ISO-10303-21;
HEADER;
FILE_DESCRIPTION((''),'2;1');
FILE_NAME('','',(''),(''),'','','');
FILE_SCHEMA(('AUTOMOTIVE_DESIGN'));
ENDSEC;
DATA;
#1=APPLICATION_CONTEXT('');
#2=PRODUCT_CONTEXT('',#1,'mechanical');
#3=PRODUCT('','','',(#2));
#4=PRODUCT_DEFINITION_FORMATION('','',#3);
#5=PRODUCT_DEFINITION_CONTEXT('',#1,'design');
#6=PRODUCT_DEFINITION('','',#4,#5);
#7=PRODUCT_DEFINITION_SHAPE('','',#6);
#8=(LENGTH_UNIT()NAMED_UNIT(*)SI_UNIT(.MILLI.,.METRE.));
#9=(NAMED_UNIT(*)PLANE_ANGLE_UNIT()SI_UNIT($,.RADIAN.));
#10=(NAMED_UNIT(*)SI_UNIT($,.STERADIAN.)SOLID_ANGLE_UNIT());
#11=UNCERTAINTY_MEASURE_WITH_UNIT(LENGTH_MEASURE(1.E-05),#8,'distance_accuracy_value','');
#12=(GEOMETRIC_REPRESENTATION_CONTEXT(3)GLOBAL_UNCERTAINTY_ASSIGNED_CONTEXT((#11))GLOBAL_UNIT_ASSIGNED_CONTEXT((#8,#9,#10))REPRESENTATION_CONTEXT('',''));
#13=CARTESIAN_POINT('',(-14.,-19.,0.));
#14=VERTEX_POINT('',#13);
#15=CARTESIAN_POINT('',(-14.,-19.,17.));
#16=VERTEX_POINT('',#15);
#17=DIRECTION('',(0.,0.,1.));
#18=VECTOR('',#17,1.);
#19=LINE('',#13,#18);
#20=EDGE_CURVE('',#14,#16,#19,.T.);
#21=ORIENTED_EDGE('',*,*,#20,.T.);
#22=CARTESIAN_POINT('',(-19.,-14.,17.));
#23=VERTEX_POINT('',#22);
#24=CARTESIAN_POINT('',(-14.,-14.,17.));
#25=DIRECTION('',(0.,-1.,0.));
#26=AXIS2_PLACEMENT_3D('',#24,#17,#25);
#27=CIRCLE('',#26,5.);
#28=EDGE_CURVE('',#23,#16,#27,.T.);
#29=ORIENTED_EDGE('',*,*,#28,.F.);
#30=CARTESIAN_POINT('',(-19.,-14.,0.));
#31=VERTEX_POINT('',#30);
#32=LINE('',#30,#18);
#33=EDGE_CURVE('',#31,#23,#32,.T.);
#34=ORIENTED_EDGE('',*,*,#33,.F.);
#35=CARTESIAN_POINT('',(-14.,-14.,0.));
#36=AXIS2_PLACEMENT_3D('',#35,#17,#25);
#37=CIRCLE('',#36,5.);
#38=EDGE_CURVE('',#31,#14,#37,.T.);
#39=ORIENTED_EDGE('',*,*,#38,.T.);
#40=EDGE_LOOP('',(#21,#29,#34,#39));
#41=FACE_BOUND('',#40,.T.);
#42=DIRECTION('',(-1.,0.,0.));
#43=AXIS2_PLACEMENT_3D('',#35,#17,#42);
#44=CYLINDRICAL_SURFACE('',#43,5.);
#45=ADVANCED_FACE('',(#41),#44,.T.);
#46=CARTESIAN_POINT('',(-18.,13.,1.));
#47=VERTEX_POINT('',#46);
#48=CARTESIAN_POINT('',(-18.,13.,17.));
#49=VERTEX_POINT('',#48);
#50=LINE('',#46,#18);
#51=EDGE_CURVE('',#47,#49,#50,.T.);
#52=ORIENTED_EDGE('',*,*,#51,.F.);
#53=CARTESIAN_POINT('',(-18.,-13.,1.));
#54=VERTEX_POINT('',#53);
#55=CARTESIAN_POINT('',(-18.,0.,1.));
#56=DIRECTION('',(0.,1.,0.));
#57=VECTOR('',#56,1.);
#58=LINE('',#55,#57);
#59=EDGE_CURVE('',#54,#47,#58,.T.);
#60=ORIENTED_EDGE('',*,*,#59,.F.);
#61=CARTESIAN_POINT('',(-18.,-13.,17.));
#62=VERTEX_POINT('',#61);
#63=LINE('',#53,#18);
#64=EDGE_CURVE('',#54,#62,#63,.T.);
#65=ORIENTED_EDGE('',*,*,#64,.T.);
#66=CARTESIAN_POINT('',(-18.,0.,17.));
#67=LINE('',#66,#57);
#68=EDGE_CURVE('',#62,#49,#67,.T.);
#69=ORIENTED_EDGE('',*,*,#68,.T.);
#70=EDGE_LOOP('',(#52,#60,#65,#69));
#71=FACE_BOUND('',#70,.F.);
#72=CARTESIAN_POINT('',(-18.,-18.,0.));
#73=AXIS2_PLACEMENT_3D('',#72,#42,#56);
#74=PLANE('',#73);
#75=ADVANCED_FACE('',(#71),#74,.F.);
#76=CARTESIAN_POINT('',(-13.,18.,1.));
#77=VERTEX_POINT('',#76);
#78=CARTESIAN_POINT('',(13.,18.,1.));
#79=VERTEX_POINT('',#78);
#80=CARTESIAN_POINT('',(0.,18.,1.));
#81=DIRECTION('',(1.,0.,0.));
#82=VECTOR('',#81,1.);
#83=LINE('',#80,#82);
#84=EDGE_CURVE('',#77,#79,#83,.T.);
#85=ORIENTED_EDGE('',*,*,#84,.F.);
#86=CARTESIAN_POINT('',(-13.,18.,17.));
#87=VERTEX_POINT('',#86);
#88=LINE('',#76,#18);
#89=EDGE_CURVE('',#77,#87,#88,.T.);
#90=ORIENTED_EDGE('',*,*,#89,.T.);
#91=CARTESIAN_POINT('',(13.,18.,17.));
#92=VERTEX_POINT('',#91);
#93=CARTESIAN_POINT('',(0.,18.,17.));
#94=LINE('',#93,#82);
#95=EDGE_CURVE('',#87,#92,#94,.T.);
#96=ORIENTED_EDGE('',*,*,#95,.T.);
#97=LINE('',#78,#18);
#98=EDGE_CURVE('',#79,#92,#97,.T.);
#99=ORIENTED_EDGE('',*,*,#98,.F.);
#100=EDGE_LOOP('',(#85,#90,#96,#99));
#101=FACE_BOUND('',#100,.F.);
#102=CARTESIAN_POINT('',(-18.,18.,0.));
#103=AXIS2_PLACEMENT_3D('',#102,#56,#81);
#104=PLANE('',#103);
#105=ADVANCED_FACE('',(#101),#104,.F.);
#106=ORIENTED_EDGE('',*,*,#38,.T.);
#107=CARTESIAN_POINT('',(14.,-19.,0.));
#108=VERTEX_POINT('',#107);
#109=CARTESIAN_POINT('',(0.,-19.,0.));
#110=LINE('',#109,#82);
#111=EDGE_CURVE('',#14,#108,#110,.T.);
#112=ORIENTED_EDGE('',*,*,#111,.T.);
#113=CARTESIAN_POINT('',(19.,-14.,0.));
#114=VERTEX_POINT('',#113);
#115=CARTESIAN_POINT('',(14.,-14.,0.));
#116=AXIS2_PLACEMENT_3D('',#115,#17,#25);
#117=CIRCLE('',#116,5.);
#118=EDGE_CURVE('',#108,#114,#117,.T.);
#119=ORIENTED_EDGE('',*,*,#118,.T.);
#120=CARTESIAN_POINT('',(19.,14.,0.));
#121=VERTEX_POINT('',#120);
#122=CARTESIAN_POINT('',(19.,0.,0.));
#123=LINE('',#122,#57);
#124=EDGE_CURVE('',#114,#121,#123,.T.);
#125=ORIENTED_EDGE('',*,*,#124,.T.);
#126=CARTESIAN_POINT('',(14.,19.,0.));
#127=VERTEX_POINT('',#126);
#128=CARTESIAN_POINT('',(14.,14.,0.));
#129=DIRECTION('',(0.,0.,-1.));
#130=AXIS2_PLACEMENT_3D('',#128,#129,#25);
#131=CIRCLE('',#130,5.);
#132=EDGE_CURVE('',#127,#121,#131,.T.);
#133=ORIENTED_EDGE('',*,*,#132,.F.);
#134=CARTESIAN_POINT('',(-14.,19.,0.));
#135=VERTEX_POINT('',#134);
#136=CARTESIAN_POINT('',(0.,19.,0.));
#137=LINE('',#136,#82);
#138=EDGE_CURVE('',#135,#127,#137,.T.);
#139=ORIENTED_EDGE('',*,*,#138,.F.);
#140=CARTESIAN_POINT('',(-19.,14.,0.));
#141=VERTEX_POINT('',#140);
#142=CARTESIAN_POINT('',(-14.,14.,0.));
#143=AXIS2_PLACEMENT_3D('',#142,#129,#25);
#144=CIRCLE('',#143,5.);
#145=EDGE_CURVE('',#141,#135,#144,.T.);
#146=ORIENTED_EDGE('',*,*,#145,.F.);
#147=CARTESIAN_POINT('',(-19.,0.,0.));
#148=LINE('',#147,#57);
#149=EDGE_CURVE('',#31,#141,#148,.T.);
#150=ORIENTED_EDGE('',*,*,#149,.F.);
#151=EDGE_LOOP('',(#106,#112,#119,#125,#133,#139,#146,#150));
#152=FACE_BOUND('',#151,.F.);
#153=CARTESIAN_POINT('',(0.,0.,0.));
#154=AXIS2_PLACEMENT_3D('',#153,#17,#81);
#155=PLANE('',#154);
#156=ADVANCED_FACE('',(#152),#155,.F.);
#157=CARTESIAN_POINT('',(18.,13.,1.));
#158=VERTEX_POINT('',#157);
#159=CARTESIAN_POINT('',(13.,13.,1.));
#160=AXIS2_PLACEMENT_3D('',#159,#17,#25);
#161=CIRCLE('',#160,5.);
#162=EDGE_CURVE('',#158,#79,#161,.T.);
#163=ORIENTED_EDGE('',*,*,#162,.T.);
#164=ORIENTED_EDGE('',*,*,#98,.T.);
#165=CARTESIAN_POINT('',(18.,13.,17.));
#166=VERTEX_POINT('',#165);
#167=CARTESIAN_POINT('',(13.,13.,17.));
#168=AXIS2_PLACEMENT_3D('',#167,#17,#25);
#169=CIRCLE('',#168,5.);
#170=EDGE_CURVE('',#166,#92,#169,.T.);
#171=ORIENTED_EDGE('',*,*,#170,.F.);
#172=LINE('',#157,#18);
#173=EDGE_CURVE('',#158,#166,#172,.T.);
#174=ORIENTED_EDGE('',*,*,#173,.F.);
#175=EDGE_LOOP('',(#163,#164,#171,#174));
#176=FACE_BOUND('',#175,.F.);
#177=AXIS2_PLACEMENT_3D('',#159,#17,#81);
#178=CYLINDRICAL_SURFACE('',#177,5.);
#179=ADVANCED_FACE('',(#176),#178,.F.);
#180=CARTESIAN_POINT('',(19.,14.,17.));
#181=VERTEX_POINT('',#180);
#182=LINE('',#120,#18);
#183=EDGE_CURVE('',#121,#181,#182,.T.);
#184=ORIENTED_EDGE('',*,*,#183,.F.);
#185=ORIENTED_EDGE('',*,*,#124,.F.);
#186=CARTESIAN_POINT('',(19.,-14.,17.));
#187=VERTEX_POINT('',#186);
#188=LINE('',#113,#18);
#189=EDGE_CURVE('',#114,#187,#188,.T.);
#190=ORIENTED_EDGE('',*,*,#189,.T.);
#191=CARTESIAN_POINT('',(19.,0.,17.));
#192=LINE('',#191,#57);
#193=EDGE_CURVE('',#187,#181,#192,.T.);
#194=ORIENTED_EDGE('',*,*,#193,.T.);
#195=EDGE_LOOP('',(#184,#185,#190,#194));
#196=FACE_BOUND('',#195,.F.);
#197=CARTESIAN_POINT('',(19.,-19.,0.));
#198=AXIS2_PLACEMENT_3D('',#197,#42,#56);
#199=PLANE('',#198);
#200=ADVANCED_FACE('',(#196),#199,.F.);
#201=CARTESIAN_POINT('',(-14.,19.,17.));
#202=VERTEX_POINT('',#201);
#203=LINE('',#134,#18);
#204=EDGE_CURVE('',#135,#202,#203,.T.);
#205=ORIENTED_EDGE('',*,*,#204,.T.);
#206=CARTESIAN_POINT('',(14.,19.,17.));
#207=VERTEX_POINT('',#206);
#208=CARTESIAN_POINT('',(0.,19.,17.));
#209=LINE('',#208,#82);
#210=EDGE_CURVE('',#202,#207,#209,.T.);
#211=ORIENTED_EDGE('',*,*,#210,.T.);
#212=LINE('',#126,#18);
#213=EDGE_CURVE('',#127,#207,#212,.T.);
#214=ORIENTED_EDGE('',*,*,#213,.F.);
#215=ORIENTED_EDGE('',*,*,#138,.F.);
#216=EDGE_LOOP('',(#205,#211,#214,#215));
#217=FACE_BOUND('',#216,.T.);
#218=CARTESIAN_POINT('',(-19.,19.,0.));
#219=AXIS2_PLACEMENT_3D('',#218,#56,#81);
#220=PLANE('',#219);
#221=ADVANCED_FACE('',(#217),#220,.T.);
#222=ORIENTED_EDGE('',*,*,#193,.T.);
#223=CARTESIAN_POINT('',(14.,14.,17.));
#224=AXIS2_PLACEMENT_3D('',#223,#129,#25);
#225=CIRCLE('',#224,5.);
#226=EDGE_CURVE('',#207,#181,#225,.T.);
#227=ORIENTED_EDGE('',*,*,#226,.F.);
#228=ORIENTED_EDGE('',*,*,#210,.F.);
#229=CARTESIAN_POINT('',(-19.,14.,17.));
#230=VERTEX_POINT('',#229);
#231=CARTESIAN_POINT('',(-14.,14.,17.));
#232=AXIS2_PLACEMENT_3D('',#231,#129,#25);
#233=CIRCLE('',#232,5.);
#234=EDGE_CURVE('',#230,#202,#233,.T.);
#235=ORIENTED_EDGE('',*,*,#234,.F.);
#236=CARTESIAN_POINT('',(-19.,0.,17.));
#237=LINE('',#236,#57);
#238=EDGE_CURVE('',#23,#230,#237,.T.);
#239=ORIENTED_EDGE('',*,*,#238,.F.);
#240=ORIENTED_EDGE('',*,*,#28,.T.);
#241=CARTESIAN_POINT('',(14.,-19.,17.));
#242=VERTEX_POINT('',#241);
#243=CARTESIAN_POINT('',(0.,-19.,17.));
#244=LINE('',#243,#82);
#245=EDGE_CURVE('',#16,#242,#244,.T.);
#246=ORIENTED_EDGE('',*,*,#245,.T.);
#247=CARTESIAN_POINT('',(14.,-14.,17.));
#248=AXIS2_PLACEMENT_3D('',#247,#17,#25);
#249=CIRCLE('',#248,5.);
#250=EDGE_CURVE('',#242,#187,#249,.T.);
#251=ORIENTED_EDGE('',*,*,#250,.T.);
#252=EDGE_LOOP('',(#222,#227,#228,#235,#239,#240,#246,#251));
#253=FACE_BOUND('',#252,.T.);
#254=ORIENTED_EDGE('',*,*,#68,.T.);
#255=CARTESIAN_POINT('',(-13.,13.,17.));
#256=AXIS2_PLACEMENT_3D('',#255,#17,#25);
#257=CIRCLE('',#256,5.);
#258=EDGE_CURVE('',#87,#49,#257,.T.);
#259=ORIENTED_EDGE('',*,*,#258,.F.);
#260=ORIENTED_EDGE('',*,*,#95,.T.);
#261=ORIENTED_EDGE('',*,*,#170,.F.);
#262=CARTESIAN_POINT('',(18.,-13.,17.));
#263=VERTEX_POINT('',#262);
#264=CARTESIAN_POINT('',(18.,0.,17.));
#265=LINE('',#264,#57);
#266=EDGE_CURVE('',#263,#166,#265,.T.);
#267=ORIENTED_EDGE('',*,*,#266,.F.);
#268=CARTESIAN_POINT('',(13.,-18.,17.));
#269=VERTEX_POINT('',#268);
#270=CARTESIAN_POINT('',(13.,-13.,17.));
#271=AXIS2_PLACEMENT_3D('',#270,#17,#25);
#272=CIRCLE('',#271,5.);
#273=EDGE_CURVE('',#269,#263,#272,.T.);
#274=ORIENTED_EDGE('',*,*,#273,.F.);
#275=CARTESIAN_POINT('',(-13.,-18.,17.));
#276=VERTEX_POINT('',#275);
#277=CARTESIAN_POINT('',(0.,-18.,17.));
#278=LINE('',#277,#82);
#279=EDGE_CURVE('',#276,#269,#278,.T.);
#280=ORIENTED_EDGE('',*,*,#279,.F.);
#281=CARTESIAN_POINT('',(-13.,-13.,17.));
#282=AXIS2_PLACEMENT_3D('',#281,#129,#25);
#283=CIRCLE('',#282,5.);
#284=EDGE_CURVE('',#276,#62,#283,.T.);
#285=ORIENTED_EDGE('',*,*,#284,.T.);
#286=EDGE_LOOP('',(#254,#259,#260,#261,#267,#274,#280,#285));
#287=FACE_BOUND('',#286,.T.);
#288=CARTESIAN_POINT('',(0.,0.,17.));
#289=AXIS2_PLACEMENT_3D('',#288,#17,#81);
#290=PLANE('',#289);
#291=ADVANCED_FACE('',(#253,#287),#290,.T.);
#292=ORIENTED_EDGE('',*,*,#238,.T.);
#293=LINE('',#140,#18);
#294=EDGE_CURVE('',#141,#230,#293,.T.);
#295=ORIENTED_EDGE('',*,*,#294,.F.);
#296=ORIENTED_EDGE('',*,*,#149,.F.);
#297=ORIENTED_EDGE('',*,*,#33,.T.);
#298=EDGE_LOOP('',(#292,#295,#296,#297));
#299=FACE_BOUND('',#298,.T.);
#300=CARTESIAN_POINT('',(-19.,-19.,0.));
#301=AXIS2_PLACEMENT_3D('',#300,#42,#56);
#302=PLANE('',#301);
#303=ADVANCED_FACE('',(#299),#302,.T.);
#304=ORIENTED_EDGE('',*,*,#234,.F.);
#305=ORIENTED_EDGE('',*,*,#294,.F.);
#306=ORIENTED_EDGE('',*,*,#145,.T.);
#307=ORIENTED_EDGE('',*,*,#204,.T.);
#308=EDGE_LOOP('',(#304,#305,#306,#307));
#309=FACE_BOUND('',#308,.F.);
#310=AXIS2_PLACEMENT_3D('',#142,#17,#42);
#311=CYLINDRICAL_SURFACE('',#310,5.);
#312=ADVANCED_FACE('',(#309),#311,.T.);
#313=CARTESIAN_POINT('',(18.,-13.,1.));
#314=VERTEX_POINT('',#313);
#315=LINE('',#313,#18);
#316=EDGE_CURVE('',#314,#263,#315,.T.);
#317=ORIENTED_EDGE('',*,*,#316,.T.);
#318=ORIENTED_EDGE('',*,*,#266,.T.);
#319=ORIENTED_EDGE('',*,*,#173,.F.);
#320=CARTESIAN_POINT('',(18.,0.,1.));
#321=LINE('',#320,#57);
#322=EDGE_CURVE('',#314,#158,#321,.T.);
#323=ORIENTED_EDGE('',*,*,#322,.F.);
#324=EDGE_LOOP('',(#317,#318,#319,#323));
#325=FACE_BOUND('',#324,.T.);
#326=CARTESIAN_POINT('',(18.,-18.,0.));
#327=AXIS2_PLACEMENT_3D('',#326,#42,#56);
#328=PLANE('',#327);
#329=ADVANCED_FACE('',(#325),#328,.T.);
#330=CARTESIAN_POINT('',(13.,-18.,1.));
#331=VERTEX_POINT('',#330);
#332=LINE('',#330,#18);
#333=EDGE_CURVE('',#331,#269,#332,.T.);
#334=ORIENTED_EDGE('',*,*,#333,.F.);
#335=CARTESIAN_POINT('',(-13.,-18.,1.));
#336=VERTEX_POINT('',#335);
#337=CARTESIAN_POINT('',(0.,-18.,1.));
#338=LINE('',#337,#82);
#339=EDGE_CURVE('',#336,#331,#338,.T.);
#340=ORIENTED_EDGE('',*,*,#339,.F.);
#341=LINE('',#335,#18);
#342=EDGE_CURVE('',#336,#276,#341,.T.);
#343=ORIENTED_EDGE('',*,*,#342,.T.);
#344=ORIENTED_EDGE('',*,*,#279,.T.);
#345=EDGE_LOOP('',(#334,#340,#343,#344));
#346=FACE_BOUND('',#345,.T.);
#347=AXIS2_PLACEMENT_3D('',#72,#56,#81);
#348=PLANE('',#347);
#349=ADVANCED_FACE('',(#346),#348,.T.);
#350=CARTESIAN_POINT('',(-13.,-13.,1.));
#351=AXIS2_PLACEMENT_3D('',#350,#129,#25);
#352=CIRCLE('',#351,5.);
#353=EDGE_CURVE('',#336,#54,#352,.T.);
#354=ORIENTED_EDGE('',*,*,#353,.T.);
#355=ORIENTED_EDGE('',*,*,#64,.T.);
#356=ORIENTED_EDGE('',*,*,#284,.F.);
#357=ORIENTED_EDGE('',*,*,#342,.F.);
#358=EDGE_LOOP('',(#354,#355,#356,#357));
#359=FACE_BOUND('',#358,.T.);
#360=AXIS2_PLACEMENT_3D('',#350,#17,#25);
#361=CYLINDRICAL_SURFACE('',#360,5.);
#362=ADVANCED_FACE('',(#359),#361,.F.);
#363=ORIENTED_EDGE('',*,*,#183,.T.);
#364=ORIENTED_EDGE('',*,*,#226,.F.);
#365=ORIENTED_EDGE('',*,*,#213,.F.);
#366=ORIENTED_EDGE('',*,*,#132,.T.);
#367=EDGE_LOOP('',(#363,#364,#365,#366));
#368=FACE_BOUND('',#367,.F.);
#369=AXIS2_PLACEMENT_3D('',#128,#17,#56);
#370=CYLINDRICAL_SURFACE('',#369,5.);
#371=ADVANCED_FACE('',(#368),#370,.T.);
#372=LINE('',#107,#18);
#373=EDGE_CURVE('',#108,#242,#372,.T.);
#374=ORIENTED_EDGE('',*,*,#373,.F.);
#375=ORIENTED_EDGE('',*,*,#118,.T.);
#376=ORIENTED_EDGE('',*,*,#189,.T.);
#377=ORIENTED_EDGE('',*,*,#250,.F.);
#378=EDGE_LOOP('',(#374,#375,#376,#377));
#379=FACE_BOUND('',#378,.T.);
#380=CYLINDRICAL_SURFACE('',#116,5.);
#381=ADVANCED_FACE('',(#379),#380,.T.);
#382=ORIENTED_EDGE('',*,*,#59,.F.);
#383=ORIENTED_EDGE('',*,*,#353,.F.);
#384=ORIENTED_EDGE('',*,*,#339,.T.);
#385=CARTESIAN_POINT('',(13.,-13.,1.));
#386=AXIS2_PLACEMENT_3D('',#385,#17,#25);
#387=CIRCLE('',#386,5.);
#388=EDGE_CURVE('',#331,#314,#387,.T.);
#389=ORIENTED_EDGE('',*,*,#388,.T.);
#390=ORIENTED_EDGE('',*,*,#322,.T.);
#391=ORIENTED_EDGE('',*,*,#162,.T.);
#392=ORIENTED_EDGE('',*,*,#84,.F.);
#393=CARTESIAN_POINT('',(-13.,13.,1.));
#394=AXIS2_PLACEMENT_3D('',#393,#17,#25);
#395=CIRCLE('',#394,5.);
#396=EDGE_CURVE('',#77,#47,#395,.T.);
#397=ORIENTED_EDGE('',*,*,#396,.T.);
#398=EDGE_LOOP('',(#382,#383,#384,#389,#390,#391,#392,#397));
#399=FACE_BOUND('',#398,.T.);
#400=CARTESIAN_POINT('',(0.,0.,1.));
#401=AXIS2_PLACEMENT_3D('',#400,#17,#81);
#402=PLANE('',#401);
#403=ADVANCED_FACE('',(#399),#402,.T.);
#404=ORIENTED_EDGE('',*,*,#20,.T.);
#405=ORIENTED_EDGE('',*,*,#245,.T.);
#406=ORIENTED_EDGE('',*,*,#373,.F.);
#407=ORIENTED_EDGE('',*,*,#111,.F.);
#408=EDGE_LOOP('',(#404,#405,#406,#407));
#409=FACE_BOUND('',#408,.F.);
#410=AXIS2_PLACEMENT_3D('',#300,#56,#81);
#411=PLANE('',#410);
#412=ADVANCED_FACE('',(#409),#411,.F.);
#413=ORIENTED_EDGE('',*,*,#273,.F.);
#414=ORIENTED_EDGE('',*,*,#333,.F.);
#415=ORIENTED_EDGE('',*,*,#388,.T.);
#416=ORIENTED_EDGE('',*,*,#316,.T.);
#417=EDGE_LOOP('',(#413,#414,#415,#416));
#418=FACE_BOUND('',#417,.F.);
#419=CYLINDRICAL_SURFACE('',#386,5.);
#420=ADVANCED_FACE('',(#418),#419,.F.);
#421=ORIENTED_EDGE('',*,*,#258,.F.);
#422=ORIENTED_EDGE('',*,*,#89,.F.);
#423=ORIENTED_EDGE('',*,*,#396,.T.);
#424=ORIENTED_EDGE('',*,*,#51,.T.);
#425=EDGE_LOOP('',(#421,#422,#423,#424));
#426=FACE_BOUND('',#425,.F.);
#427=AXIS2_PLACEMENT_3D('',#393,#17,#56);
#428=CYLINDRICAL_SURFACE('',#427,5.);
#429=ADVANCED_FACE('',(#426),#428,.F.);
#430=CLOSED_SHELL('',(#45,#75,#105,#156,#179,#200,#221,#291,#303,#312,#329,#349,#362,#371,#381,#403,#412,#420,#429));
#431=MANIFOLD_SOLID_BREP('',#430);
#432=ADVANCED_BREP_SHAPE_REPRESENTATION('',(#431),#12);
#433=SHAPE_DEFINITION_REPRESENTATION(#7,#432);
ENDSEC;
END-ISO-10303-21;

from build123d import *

# Parameters (mm, degrees)
F0_W     = 36
F0_H     = 36
F1_DEPTH = 1
F0_W_2   = 38
F0_H_2   = 38
F2_DEPTH = 17
F3_R     = 5


with BuildPart() as f1:
    # F0 (on Top) → F1 (new body)
    with BuildSketch(Plane.XY):
        Rectangle(F0_W, F0_H)
    extrude(amount=F1_DEPTH)

    # F0 (on Top) → F2 (join)
    with BuildSketch(Plane.XY):
        Rectangle(F0_W_2, F0_H_2)
        Rectangle(F0_W, F0_H, mode=Mode.SUBTRACT)
    extrude(amount=F2_DEPTH)

    # F3
    f3_edges = [f1.edges().sort_by_distance(p)[0] for p in [
        (-18, 18, 9),
        (18, 18, 9),
        (18, -18, 9),
        (-18, -18, 9),
        (-19, 19, 8.5),
        (-19, -19, 8.5),
        (19, -19, 8.5),
        (19, 19, 8.5),
    ]]
    fillet(f3_edges, radius=F3_R)


solid = f1.part
